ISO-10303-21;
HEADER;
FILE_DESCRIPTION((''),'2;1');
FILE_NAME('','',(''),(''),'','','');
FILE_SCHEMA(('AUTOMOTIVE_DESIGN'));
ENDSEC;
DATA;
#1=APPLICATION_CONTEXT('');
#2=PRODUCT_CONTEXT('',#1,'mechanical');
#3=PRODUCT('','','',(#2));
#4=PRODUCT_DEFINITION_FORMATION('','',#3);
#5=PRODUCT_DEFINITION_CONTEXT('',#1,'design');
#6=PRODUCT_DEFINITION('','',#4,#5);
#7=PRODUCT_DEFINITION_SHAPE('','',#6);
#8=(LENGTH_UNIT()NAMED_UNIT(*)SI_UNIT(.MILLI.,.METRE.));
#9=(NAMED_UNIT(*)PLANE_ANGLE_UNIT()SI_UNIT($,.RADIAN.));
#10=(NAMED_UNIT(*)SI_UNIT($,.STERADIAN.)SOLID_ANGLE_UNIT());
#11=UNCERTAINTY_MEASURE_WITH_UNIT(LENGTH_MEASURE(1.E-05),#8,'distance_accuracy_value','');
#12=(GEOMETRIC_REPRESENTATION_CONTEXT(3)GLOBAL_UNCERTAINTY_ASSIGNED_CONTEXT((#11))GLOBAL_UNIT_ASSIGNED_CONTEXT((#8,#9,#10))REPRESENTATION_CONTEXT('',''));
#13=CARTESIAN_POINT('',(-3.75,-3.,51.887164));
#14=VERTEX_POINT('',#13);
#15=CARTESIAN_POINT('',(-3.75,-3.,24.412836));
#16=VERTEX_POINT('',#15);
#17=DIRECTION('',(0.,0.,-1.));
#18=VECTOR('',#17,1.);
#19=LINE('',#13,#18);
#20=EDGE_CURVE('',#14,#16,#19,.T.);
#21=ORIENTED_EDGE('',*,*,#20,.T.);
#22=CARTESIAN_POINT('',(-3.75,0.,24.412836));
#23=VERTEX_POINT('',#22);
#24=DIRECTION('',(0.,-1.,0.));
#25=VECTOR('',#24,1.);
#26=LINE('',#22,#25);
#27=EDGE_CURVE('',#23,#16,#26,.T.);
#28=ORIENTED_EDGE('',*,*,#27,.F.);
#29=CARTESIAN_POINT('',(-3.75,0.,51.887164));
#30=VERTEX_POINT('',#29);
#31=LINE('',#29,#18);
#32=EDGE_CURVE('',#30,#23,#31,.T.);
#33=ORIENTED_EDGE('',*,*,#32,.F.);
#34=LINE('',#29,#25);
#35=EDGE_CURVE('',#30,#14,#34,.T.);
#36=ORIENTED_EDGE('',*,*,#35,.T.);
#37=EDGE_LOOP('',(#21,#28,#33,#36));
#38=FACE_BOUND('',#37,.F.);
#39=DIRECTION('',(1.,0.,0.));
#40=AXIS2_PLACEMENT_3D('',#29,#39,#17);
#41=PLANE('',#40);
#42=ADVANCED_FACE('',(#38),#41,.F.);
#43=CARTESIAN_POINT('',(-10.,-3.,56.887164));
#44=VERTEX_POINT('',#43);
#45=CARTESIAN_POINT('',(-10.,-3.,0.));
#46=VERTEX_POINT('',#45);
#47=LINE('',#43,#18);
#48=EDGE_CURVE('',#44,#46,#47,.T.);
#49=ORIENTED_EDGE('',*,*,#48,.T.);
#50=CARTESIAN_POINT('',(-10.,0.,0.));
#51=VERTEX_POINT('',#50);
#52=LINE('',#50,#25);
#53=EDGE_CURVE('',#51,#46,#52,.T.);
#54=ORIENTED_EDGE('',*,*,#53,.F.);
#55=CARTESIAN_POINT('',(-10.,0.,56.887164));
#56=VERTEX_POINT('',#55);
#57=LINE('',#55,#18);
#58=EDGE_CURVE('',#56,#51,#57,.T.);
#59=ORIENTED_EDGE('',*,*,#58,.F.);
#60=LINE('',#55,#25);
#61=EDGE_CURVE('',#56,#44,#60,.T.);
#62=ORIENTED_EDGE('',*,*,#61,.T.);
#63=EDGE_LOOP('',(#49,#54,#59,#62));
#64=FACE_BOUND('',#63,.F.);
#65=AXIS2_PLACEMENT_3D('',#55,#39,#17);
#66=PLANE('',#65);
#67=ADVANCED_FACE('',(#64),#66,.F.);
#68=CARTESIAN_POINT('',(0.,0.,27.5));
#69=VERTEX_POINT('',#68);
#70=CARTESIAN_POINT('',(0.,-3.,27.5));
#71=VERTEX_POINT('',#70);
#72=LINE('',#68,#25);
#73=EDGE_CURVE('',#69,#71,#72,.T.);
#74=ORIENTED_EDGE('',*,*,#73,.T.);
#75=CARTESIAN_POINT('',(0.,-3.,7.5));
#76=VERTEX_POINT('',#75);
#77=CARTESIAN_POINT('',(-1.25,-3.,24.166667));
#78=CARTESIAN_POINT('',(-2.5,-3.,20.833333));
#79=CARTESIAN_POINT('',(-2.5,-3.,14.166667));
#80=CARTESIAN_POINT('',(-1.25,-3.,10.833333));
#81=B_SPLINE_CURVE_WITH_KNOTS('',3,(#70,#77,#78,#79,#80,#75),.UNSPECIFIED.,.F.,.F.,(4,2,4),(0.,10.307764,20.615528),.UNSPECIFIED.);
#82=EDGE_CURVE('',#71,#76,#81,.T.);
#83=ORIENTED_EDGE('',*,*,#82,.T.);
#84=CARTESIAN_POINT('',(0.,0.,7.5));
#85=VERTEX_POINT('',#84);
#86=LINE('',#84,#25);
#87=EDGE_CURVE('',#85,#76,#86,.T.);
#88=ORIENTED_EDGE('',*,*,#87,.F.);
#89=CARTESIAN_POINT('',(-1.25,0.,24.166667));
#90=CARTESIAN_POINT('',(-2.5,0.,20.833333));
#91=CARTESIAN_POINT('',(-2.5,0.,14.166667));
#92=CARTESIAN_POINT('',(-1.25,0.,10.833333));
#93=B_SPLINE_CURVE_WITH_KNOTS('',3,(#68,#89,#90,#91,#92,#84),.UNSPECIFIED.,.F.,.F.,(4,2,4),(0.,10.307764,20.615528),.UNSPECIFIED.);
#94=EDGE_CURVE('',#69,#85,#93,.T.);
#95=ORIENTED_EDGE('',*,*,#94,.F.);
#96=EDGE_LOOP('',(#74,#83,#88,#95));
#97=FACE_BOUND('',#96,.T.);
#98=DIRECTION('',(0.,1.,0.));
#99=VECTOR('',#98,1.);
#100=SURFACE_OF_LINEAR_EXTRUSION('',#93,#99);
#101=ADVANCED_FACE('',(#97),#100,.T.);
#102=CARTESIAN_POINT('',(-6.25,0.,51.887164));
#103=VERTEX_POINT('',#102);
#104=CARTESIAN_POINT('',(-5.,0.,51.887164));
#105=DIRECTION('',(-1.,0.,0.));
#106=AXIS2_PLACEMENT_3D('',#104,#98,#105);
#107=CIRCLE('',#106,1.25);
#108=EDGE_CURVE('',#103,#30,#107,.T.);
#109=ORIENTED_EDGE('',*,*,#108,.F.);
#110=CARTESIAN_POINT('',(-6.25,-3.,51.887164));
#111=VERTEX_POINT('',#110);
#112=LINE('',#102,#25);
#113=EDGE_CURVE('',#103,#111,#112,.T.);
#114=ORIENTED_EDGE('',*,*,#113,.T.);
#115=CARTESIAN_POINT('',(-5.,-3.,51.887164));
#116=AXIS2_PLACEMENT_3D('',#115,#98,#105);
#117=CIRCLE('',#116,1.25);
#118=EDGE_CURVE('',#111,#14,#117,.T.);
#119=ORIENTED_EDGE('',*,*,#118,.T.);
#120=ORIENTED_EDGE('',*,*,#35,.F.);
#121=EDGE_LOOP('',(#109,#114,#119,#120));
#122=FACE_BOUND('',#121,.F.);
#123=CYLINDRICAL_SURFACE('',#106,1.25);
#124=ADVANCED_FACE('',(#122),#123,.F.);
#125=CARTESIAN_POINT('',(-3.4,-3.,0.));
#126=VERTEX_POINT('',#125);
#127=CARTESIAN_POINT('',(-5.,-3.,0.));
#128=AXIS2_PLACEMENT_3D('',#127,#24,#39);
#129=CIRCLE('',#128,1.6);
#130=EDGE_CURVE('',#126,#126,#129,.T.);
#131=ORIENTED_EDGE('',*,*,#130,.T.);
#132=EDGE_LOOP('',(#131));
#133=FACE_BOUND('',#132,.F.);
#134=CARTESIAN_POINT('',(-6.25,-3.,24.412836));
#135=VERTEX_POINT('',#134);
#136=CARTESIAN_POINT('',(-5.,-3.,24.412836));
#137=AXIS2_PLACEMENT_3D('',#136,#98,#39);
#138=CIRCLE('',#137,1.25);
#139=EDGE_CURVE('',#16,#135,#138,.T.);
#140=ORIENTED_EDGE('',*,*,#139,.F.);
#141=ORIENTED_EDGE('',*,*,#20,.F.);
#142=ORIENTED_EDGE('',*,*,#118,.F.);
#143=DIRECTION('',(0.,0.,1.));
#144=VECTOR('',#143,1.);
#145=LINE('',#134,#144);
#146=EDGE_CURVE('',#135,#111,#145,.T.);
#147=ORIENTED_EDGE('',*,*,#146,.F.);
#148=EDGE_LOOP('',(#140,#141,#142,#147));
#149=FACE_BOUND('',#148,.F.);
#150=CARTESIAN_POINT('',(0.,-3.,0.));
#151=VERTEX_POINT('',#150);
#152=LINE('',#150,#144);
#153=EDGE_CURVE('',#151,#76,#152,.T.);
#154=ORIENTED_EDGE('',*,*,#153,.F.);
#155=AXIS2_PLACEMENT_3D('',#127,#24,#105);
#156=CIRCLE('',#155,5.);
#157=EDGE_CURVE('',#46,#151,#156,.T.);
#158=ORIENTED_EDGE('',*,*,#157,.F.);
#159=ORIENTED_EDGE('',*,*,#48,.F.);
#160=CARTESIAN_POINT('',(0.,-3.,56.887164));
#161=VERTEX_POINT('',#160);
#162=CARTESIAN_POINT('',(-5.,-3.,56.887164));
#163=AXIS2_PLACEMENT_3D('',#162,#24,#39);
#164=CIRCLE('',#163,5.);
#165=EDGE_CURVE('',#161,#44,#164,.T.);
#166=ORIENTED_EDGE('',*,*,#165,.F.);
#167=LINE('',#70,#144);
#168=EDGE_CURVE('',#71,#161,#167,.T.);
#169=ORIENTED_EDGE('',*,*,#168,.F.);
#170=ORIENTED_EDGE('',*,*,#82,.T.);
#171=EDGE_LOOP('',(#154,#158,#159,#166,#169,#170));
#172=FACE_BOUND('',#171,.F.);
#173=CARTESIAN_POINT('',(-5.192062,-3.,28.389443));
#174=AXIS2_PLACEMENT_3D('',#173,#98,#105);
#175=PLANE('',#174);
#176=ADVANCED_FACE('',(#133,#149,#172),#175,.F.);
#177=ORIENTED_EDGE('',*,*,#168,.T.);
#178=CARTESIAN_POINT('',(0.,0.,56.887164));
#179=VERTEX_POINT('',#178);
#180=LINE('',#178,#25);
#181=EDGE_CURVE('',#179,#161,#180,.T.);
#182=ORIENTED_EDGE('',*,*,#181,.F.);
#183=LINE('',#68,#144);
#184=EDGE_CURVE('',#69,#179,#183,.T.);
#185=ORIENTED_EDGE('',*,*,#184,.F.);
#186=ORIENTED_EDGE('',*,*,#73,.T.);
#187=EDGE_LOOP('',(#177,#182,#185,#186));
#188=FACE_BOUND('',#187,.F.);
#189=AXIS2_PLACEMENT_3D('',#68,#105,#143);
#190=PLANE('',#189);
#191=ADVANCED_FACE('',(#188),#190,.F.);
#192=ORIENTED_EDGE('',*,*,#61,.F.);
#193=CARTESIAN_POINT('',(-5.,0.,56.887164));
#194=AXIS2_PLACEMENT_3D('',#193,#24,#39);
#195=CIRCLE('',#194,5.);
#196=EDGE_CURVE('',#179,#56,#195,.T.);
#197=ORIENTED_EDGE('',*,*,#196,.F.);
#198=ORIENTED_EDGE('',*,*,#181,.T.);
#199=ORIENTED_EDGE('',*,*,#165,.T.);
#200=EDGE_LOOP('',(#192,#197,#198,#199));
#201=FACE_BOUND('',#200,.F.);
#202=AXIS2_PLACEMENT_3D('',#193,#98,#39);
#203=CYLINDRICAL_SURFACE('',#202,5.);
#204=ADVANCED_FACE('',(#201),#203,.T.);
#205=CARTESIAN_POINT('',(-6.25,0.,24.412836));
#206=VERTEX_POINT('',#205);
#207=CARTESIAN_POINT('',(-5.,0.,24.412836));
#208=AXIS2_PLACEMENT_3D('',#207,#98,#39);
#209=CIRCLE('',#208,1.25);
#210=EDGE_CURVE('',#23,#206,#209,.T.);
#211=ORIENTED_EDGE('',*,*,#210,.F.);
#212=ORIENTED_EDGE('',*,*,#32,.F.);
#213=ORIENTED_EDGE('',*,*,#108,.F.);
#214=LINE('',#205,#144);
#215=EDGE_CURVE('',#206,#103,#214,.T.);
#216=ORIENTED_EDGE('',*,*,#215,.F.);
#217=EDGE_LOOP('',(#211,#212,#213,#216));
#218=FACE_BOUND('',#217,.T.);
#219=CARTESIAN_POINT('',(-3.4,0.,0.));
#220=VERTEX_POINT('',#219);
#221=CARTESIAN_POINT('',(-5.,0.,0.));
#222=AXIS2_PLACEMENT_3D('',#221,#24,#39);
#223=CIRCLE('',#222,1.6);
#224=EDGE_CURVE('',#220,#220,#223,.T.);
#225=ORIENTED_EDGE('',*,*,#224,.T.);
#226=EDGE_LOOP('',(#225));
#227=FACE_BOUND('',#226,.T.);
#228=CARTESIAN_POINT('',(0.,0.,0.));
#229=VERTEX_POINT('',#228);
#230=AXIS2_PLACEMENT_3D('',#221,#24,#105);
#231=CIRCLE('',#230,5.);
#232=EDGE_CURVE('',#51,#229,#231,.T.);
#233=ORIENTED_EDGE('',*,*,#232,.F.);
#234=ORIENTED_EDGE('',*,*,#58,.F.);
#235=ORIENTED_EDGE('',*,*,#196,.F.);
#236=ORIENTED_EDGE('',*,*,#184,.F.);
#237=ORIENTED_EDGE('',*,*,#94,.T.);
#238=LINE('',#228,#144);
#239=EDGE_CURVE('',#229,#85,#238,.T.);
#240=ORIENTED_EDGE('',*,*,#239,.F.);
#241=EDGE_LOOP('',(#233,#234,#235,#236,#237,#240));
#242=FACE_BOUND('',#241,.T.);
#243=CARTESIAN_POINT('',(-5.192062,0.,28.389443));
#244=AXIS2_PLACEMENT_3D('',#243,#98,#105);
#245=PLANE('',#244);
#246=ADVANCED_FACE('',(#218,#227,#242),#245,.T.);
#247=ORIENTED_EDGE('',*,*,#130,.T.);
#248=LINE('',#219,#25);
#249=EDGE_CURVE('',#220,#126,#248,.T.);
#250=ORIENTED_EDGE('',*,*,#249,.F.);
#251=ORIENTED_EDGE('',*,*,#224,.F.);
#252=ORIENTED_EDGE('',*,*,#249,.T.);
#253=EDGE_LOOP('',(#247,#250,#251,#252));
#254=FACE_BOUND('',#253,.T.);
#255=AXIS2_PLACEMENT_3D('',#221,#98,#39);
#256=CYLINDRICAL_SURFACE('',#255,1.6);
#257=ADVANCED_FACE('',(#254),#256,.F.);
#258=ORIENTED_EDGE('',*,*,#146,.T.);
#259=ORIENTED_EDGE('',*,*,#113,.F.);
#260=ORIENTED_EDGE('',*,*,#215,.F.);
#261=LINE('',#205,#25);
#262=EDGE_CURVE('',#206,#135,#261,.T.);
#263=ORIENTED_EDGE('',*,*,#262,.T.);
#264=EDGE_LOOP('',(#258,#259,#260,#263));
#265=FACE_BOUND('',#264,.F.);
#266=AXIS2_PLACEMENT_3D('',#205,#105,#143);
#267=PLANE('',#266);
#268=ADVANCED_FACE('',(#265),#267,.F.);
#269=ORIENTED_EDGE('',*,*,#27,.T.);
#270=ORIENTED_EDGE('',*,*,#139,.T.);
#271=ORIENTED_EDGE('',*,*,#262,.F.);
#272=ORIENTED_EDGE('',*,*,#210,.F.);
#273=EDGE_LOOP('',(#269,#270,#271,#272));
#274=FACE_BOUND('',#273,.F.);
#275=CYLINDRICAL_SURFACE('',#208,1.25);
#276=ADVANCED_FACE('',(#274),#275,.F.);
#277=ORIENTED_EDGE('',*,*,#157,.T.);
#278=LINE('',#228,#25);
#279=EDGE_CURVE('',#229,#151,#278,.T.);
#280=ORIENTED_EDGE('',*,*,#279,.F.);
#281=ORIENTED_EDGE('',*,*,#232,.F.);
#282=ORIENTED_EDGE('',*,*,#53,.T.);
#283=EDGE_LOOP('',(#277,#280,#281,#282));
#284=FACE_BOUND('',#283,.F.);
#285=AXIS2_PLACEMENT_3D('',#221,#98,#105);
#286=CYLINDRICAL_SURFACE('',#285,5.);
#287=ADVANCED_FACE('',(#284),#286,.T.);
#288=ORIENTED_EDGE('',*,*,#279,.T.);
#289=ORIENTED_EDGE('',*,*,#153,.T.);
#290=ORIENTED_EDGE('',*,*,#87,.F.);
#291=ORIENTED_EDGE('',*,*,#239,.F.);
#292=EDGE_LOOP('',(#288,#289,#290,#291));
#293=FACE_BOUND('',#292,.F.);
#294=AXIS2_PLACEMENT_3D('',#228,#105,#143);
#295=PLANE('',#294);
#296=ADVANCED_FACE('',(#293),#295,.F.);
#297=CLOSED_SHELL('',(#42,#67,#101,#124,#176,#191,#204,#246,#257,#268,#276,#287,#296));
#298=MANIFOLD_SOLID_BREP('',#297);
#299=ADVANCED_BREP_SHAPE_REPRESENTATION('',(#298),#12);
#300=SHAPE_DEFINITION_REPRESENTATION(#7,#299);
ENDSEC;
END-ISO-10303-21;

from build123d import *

# Parameters (mm, degrees)
F0_R     = 1.6
F1_DEPTH = 3


with BuildPart() as f1:
    # F0 (on Front) → F1 (new body)
    with BuildSketch(Plane.XZ):
        with BuildLine():
            add(Edge.make_bspline(
                [(0, 27.5), (-1.25, 24.166667), (-2.5, 20.833333), (-2.5, 17.5)],
                knots=[0, 0, 0, 0, 10.307764, 10.307764, 10.307764, 10.307764], degree=3))
            Line((0, 27.5), (0, 32.5))
            Line((0, 32.5), (0, 56.887164))
            ThreePointArc((0, 56.887164), (-5, 61.887164), (-10, 56.887164))
            Line((-10, 56.887164), (-10, 0))
            ThreePointArc((-10, 0), (-5, -5), (0, 0))
            Line((0, 0), (0, 7.5))
            add(Edge.make_bspline(
                [(-2.5, 17.5), (-2.5, 14.166667), (-1.25, 10.833333), (0, 7.5)],
                knots=[10.307764, 10.307764, 10.307764, 10.307764, 20.615528, 20.615528, 20.615528, 20.615528], degree=3))
        make_face()
        with Locations((-5, 0)):
            Circle(F0_R, mode=Mode.SUBTRACT)
        with BuildLine():
            Line((-6.25, 24.412836), (-6.25, 51.887164))
            ThreePointArc((-6.25, 51.887164), (-5, 53.137164), (-3.75, 51.887164))
            Line((-3.75, 51.887164), (-3.75, 24.412836))
            ThreePointArc((-3.75, 24.412836), (-5, 23.162836), (-6.25, 24.412836))
        make_face(mode=Mode.SUBTRACT)
    extrude(amount=F1_DEPTH)


solid = f1.part
